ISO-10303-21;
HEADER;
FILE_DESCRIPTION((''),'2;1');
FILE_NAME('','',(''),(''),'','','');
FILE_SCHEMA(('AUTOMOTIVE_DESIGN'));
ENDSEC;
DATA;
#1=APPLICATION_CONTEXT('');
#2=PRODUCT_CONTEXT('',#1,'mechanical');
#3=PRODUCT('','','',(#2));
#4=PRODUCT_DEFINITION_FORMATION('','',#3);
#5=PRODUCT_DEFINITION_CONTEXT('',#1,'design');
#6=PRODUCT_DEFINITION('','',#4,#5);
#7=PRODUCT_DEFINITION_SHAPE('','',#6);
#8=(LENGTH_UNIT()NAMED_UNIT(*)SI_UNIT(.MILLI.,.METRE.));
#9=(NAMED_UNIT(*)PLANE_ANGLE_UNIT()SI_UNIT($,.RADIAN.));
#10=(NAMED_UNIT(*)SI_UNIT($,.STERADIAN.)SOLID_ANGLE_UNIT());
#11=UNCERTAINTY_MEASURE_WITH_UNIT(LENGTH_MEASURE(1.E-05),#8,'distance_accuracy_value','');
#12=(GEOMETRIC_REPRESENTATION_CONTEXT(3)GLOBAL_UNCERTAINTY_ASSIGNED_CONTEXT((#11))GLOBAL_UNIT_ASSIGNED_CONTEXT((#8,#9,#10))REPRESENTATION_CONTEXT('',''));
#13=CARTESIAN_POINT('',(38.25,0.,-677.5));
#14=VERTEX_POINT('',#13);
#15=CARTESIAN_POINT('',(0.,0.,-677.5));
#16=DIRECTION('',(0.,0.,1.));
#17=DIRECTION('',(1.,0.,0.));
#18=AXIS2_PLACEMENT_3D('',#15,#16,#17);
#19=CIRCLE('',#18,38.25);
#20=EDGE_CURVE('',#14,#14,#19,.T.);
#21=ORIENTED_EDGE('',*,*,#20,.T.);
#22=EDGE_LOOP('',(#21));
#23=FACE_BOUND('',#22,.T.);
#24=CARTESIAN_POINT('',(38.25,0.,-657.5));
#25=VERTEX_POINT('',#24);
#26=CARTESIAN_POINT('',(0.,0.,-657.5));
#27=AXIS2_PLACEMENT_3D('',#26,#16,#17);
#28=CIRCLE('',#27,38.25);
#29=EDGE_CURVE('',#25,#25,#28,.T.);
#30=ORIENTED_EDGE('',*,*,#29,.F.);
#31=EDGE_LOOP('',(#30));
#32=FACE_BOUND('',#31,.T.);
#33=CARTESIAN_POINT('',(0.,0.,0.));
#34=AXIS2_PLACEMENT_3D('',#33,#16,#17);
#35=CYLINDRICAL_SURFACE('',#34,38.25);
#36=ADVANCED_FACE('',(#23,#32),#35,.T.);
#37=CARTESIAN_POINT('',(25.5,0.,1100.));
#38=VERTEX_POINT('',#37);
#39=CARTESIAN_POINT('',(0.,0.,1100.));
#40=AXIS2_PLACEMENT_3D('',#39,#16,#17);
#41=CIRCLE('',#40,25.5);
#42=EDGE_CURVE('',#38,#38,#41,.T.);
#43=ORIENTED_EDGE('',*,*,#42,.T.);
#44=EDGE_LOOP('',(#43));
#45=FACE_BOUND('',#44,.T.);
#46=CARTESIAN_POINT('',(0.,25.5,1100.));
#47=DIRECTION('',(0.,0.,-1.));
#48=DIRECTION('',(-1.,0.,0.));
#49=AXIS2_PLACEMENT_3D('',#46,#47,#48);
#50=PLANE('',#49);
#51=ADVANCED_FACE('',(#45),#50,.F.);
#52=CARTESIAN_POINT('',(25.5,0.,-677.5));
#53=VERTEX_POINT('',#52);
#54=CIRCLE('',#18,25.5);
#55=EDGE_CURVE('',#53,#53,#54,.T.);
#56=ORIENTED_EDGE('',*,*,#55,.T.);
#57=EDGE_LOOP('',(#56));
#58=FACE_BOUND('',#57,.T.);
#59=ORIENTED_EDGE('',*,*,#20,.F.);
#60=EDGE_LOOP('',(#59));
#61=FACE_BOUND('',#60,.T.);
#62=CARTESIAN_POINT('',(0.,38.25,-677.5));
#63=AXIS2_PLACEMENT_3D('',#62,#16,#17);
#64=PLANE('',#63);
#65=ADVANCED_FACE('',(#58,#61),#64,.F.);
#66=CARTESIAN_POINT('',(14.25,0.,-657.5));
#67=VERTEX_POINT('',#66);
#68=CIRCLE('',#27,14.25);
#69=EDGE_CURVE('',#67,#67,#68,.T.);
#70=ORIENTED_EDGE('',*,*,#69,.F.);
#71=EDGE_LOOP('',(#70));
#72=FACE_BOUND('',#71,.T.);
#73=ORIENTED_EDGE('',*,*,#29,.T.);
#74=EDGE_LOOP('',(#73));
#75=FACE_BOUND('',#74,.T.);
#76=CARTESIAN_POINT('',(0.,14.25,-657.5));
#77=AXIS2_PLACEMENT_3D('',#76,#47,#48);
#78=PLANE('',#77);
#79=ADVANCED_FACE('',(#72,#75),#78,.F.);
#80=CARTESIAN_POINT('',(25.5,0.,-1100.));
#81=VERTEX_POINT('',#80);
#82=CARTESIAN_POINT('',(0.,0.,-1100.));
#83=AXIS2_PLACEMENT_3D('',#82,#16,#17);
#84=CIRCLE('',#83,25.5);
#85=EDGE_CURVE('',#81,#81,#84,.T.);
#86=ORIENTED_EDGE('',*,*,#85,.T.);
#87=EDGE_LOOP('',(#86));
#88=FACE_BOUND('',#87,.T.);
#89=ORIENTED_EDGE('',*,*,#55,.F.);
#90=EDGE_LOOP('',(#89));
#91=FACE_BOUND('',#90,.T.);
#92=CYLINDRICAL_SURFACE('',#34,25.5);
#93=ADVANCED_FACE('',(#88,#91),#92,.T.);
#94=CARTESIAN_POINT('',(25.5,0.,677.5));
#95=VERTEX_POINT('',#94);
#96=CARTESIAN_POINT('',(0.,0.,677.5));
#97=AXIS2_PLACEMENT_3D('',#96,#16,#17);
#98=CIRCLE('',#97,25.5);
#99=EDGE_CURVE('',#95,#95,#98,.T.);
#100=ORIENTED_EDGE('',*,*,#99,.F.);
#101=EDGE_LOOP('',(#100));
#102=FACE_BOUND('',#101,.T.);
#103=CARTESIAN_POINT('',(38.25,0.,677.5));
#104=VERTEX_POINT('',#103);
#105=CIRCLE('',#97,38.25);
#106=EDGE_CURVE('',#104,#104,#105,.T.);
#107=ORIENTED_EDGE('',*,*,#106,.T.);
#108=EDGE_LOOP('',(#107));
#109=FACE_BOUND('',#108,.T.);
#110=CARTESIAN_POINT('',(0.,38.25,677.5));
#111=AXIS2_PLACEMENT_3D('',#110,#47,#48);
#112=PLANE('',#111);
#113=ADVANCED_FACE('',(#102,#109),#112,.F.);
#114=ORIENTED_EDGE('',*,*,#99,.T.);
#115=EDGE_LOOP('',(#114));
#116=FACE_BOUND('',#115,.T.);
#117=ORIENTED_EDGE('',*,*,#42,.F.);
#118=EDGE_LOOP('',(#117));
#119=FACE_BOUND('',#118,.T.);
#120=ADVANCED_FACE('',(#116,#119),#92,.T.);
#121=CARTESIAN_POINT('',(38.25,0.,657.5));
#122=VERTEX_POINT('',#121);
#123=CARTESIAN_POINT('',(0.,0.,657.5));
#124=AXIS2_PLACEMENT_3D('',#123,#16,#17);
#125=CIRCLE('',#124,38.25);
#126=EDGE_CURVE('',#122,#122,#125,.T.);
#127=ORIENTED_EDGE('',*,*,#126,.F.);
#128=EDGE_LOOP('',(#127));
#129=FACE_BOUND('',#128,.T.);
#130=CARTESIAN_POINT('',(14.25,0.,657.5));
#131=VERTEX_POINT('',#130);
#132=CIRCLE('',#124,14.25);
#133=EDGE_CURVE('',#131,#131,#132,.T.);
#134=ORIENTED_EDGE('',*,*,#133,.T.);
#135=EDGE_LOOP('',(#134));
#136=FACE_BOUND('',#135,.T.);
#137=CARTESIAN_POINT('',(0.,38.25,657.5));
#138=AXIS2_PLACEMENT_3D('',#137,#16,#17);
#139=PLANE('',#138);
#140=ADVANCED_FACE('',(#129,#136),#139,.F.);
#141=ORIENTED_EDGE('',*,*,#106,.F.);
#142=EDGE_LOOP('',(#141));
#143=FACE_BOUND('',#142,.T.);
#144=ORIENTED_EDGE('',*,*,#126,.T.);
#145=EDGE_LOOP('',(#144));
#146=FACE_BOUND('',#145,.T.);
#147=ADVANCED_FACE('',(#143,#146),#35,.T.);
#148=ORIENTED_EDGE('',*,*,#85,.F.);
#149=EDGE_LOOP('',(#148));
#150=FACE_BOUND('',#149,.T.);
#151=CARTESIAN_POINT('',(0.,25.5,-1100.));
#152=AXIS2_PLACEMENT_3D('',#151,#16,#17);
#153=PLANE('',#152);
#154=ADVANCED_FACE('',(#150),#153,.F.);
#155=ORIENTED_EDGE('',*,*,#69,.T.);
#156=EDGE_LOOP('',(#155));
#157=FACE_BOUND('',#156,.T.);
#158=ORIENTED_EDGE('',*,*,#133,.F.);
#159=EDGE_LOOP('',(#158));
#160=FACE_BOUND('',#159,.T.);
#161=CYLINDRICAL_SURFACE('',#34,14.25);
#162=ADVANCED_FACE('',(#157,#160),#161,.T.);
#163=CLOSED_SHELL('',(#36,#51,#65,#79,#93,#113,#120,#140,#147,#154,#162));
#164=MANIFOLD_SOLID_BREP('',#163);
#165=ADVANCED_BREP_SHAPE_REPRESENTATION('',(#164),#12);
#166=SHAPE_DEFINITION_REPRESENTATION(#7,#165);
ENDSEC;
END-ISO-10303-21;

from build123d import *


with BuildPart() as part:
    # Sketch1 → Revolve1 (revolve)
    with BuildSketch(Plane(origin=(0, 0, 0), x_dir=(0, 0, -1), z_dir=(1, 0, 0)), mode=Mode.PRIVATE) as revolve1_sk:
        Polygon((0, 0), (-1100, 0), (-1100, 25.5), (-677.5, 25.5), (-677.5, 38.25), (-657.5, 38.25), (-657.5, 14.25), (0, 14.25), (657.5, 14.25), (657.5, 38.25), (677.5, 38.25), (677.5, 25.5), (1100, 25.5), (1100, 0), align=None)
    revolve(revolve1_sk.sketch.rotate(Axis((0, 0, 0), (0, 0, -1)), 90), axis=Axis((0, 0, 0), (0, 0, -1)))


solid = part.part
